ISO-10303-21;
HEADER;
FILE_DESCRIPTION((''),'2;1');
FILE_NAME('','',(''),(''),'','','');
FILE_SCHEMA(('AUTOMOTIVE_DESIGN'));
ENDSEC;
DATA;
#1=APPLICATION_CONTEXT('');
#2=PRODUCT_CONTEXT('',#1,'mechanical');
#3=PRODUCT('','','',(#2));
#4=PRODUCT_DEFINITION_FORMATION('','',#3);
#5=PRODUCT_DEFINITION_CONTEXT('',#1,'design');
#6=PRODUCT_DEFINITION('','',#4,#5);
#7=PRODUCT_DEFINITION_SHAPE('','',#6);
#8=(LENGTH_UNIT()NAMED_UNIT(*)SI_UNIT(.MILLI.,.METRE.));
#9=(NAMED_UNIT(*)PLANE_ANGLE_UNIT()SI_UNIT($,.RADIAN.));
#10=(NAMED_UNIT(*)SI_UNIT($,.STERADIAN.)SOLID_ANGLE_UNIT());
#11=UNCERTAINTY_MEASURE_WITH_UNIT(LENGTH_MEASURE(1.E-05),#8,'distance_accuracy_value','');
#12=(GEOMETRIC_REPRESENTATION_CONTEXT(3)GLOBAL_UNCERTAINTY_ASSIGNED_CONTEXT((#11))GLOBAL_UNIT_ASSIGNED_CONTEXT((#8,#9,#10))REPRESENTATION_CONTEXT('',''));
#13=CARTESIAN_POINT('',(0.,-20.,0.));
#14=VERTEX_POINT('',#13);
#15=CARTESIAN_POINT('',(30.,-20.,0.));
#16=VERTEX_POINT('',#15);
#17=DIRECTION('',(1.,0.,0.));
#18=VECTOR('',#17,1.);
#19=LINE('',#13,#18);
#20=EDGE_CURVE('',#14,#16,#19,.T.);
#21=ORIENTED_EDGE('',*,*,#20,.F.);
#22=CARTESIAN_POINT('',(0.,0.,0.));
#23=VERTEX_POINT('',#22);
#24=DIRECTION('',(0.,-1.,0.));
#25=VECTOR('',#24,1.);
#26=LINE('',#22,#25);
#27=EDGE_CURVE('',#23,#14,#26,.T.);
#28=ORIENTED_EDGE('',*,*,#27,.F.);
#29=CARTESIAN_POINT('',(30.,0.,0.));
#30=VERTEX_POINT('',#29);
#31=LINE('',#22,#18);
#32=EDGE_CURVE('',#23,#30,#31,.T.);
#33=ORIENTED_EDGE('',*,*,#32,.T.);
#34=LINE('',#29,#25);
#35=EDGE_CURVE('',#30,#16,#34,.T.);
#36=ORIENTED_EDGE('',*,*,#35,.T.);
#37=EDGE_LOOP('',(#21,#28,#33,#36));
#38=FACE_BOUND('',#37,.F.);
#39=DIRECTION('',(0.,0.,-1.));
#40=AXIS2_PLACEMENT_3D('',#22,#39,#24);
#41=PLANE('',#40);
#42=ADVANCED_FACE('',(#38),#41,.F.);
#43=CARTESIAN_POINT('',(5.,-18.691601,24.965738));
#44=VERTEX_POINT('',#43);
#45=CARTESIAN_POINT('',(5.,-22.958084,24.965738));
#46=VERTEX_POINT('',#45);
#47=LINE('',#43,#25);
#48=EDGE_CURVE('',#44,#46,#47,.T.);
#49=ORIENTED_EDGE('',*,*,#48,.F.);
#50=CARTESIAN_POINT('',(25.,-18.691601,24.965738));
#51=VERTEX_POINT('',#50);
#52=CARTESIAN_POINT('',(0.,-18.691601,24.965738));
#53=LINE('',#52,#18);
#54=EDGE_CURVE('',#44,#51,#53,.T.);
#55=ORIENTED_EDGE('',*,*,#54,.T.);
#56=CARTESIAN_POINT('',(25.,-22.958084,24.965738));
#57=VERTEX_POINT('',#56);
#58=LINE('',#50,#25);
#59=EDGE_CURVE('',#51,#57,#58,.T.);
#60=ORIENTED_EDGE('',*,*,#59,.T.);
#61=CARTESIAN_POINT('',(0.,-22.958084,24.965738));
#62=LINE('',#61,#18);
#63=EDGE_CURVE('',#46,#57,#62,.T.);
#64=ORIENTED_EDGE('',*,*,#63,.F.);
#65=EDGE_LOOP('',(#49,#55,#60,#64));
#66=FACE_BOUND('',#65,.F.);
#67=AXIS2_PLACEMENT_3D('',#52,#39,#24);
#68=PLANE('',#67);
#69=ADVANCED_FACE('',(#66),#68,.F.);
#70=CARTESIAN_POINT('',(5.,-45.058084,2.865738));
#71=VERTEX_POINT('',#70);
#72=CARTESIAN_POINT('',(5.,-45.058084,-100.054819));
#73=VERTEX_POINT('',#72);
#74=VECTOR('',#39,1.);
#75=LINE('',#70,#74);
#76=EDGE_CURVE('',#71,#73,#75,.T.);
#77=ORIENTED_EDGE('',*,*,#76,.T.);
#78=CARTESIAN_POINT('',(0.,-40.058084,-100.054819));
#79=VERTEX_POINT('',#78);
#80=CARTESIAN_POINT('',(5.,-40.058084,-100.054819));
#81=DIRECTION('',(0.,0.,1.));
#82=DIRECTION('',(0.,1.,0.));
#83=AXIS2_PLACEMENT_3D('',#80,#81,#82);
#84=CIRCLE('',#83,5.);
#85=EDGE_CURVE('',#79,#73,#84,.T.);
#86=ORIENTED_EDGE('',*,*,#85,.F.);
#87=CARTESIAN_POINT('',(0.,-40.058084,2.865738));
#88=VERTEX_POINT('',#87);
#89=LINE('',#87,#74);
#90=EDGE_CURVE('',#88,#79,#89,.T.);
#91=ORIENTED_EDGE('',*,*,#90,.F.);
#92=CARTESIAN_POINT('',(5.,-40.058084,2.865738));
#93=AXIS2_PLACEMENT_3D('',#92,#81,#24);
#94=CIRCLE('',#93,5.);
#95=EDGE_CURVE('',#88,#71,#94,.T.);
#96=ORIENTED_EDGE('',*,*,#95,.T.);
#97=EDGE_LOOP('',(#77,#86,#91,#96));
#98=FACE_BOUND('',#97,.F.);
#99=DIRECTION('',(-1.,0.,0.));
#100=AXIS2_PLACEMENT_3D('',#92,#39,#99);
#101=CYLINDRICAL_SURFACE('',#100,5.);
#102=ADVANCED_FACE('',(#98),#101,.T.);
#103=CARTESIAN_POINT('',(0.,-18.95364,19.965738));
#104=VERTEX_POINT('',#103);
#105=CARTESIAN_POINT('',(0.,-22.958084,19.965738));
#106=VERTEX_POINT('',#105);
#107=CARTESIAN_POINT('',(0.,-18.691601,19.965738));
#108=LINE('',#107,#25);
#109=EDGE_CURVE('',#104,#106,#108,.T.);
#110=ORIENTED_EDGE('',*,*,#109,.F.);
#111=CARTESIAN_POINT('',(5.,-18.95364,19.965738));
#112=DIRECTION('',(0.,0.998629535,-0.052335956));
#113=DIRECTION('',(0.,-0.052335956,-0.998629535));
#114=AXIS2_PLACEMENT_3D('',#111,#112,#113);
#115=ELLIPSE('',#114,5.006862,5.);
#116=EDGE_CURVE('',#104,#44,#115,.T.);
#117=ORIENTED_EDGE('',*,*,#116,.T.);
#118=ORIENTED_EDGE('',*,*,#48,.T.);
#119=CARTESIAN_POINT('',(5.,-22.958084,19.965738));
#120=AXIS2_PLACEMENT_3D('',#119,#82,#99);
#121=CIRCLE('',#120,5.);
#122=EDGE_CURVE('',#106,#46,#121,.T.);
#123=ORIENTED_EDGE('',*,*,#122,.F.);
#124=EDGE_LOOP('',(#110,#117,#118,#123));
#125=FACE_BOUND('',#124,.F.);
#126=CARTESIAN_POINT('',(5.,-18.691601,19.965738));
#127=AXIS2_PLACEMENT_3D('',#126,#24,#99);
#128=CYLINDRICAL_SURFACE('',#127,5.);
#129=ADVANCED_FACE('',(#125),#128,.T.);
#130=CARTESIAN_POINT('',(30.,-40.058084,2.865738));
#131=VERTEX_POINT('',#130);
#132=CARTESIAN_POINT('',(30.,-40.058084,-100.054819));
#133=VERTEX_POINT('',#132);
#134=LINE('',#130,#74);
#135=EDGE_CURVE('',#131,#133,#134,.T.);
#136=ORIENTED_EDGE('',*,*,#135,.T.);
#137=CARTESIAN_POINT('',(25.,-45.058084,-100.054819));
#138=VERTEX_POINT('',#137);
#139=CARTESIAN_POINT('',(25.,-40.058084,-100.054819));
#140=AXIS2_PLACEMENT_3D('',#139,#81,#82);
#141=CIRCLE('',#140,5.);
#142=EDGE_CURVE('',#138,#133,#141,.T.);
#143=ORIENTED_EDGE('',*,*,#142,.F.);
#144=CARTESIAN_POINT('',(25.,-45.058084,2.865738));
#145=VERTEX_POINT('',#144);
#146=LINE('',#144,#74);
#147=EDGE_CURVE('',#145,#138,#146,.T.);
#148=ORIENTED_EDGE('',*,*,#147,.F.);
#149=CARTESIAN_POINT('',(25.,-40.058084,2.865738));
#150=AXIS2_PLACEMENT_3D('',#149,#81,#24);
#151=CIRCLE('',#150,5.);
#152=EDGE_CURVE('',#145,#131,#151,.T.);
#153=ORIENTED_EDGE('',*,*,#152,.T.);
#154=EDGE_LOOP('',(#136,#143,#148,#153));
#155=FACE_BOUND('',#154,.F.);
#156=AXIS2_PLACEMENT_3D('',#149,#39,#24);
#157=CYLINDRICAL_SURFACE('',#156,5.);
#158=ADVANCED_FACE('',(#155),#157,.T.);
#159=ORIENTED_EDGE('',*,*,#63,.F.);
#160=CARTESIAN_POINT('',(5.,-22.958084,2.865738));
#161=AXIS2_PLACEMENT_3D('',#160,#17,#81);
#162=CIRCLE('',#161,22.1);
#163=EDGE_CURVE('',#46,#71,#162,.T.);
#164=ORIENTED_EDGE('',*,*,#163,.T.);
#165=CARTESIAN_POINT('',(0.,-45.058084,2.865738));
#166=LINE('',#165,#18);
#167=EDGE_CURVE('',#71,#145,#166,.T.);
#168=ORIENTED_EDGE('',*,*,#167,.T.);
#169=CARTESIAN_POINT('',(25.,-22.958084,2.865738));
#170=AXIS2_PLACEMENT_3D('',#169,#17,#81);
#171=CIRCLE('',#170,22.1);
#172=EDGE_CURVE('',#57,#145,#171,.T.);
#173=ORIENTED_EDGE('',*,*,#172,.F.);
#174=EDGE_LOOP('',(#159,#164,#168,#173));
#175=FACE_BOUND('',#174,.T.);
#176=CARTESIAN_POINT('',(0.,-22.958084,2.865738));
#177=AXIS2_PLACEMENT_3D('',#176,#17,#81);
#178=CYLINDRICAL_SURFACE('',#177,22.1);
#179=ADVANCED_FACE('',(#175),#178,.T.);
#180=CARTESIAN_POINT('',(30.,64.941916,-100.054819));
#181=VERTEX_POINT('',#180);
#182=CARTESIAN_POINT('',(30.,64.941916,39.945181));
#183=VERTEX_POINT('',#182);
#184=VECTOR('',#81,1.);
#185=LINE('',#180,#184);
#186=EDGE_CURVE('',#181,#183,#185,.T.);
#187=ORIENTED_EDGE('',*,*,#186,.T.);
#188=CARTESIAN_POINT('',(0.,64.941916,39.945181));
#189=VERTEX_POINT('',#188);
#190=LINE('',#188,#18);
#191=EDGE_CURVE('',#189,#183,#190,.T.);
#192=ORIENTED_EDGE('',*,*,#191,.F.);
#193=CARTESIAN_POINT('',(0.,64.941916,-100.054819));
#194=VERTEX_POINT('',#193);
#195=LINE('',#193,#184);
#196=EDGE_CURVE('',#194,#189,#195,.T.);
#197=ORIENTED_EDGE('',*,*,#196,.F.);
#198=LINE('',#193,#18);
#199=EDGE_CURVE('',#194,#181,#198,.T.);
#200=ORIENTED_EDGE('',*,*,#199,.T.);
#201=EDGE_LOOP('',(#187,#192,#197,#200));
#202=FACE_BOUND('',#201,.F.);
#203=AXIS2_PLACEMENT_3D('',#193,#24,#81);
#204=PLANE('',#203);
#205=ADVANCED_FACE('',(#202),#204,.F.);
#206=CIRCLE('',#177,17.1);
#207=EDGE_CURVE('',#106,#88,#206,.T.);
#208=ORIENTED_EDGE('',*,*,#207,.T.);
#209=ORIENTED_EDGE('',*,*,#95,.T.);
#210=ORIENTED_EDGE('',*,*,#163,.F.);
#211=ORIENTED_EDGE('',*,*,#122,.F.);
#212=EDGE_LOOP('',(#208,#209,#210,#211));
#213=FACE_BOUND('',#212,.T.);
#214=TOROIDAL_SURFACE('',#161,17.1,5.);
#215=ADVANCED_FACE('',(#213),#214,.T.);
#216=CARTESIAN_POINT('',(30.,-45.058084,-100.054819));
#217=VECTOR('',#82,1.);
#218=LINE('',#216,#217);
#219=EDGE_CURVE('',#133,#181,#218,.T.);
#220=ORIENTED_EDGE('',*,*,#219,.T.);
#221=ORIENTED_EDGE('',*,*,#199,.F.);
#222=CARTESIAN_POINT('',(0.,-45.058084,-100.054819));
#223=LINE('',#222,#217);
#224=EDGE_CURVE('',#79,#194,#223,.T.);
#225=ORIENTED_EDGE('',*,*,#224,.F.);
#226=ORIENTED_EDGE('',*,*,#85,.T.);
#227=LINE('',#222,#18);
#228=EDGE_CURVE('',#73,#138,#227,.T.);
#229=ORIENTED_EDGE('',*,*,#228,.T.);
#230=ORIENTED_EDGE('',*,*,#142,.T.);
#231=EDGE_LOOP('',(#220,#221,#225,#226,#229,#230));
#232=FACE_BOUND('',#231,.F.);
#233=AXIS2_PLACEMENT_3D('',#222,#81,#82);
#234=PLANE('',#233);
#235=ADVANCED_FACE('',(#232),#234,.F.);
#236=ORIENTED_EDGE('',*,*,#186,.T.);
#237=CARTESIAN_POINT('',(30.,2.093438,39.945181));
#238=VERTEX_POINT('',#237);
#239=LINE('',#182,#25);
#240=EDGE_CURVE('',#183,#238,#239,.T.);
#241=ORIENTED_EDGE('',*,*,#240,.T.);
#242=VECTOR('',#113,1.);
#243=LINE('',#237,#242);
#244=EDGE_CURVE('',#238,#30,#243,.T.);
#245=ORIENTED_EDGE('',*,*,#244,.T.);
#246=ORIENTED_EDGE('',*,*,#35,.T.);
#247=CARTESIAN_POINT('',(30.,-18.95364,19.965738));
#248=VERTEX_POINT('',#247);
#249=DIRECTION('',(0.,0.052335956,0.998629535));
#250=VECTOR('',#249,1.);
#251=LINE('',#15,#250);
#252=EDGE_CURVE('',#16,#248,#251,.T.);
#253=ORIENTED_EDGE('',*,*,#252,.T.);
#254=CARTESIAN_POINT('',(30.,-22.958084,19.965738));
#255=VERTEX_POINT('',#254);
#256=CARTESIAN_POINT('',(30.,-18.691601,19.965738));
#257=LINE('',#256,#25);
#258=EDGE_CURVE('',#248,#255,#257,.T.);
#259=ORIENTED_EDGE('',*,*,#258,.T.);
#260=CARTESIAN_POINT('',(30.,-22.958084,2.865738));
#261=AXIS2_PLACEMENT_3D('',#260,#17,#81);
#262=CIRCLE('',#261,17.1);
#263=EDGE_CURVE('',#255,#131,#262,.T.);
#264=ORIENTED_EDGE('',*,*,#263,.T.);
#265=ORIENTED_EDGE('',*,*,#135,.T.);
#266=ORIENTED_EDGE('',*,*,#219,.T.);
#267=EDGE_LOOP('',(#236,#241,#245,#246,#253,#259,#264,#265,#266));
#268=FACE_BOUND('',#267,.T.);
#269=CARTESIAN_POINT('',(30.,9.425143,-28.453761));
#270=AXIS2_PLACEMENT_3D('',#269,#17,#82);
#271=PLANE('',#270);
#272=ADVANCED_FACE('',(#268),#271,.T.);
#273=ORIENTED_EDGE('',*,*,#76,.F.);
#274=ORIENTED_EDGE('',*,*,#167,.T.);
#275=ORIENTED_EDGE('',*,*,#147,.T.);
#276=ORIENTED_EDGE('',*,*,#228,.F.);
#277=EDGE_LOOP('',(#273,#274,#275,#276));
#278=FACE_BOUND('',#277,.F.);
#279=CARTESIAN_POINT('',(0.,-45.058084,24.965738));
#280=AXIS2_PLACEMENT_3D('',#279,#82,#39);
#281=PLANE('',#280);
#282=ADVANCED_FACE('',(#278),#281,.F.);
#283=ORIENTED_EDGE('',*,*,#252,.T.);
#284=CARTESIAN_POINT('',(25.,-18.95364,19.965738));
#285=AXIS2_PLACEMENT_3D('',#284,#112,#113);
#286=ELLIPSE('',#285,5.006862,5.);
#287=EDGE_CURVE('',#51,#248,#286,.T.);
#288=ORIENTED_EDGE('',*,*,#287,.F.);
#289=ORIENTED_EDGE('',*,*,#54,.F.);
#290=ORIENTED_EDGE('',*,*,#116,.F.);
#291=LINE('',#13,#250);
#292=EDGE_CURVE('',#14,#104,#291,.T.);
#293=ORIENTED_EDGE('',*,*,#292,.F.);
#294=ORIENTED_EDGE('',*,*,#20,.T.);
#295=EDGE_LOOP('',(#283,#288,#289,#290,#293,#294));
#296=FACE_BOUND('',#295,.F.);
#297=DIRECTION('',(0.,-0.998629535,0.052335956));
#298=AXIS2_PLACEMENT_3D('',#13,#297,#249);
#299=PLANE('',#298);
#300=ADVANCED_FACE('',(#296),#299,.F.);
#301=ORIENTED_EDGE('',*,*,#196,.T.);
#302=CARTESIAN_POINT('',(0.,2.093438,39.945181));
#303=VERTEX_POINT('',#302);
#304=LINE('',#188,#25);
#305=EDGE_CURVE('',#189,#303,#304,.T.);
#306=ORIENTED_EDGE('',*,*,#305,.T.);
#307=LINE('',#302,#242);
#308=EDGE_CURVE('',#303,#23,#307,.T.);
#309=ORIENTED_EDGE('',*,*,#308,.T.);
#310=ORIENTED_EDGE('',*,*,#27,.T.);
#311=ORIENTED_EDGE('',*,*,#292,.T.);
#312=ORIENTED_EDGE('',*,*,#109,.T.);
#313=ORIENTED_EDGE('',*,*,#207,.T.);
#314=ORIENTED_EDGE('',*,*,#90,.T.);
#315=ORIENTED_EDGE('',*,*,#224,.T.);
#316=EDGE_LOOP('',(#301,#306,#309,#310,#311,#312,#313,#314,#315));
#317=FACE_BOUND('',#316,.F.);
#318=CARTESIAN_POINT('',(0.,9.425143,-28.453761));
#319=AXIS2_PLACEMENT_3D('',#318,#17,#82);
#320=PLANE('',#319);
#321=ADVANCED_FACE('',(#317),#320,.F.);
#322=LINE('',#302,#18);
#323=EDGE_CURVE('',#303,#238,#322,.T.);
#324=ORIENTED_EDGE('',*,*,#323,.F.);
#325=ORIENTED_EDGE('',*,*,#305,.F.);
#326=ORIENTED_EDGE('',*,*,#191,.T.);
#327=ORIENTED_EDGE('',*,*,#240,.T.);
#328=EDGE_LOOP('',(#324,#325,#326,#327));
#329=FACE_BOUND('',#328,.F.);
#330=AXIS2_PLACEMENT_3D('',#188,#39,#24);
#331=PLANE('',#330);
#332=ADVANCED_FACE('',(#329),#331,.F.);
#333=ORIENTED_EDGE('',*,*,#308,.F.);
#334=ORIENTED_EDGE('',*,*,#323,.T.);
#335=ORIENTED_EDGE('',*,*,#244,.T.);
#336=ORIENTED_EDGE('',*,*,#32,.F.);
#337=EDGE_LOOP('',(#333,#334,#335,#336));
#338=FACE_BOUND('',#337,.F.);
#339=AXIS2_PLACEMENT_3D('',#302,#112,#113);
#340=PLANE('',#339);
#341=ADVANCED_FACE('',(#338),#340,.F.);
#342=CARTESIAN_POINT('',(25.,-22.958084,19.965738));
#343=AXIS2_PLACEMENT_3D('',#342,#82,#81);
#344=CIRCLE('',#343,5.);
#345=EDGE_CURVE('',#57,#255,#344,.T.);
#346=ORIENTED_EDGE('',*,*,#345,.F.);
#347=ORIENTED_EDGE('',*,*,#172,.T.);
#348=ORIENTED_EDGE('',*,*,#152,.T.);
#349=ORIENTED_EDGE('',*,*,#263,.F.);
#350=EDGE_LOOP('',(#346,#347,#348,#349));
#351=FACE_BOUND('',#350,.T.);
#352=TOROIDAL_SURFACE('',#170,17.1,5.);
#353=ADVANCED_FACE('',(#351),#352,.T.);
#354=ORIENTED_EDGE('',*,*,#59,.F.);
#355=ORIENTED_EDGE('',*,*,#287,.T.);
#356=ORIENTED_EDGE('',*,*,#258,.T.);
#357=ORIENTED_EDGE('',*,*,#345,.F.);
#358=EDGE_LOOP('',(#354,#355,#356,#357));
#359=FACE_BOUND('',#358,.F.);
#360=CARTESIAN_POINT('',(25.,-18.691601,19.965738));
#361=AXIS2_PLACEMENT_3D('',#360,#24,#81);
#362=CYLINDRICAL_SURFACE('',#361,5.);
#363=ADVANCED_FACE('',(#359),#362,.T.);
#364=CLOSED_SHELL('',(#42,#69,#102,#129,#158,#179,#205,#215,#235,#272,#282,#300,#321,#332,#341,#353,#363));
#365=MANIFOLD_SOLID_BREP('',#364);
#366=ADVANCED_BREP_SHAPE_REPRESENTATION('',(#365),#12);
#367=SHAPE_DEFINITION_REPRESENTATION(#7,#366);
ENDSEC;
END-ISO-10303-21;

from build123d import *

# Parameters (mm, degrees)
F1_DEPTH = 30
F2_R     = 22.1
F3_R     = 5


with BuildPart() as f1:
    # F0 (on Right) → F1 (new body)
    with BuildSketch(Plane.YZ):
        Polygon((2.0934382497, 39.9451813902), (0, 0), (-20, 0), (-18.6916010939, 24.9657383689), (-45.0580844926, 24.9657383689), (-45.0580844926, -100.0548186098), (64.9419155074, -100.0548186098), (64.9419155074, 39.9451813902), align=None)
    extrude(amount=F1_DEPTH)

    # F2
    f2_edges = [f1.edges().sort_by_distance(p)[0] for p in [
        (15, -45.058084, 24.965738),
    ]]
    fillet(f2_edges, radius=F2_R)

    # F3
    f3_edges = [f1.edges().sort_by_distance(p)[0] for p in [
        (30, -38.585144, 18.492798),
        (0, -38.585144, 18.492798),
        (30, -20.824843, 24.965738),
        (0, -20.824843, 24.965738),
    ]]
    fillet(f3_edges, radius=F3_R)


solid = f1.part
